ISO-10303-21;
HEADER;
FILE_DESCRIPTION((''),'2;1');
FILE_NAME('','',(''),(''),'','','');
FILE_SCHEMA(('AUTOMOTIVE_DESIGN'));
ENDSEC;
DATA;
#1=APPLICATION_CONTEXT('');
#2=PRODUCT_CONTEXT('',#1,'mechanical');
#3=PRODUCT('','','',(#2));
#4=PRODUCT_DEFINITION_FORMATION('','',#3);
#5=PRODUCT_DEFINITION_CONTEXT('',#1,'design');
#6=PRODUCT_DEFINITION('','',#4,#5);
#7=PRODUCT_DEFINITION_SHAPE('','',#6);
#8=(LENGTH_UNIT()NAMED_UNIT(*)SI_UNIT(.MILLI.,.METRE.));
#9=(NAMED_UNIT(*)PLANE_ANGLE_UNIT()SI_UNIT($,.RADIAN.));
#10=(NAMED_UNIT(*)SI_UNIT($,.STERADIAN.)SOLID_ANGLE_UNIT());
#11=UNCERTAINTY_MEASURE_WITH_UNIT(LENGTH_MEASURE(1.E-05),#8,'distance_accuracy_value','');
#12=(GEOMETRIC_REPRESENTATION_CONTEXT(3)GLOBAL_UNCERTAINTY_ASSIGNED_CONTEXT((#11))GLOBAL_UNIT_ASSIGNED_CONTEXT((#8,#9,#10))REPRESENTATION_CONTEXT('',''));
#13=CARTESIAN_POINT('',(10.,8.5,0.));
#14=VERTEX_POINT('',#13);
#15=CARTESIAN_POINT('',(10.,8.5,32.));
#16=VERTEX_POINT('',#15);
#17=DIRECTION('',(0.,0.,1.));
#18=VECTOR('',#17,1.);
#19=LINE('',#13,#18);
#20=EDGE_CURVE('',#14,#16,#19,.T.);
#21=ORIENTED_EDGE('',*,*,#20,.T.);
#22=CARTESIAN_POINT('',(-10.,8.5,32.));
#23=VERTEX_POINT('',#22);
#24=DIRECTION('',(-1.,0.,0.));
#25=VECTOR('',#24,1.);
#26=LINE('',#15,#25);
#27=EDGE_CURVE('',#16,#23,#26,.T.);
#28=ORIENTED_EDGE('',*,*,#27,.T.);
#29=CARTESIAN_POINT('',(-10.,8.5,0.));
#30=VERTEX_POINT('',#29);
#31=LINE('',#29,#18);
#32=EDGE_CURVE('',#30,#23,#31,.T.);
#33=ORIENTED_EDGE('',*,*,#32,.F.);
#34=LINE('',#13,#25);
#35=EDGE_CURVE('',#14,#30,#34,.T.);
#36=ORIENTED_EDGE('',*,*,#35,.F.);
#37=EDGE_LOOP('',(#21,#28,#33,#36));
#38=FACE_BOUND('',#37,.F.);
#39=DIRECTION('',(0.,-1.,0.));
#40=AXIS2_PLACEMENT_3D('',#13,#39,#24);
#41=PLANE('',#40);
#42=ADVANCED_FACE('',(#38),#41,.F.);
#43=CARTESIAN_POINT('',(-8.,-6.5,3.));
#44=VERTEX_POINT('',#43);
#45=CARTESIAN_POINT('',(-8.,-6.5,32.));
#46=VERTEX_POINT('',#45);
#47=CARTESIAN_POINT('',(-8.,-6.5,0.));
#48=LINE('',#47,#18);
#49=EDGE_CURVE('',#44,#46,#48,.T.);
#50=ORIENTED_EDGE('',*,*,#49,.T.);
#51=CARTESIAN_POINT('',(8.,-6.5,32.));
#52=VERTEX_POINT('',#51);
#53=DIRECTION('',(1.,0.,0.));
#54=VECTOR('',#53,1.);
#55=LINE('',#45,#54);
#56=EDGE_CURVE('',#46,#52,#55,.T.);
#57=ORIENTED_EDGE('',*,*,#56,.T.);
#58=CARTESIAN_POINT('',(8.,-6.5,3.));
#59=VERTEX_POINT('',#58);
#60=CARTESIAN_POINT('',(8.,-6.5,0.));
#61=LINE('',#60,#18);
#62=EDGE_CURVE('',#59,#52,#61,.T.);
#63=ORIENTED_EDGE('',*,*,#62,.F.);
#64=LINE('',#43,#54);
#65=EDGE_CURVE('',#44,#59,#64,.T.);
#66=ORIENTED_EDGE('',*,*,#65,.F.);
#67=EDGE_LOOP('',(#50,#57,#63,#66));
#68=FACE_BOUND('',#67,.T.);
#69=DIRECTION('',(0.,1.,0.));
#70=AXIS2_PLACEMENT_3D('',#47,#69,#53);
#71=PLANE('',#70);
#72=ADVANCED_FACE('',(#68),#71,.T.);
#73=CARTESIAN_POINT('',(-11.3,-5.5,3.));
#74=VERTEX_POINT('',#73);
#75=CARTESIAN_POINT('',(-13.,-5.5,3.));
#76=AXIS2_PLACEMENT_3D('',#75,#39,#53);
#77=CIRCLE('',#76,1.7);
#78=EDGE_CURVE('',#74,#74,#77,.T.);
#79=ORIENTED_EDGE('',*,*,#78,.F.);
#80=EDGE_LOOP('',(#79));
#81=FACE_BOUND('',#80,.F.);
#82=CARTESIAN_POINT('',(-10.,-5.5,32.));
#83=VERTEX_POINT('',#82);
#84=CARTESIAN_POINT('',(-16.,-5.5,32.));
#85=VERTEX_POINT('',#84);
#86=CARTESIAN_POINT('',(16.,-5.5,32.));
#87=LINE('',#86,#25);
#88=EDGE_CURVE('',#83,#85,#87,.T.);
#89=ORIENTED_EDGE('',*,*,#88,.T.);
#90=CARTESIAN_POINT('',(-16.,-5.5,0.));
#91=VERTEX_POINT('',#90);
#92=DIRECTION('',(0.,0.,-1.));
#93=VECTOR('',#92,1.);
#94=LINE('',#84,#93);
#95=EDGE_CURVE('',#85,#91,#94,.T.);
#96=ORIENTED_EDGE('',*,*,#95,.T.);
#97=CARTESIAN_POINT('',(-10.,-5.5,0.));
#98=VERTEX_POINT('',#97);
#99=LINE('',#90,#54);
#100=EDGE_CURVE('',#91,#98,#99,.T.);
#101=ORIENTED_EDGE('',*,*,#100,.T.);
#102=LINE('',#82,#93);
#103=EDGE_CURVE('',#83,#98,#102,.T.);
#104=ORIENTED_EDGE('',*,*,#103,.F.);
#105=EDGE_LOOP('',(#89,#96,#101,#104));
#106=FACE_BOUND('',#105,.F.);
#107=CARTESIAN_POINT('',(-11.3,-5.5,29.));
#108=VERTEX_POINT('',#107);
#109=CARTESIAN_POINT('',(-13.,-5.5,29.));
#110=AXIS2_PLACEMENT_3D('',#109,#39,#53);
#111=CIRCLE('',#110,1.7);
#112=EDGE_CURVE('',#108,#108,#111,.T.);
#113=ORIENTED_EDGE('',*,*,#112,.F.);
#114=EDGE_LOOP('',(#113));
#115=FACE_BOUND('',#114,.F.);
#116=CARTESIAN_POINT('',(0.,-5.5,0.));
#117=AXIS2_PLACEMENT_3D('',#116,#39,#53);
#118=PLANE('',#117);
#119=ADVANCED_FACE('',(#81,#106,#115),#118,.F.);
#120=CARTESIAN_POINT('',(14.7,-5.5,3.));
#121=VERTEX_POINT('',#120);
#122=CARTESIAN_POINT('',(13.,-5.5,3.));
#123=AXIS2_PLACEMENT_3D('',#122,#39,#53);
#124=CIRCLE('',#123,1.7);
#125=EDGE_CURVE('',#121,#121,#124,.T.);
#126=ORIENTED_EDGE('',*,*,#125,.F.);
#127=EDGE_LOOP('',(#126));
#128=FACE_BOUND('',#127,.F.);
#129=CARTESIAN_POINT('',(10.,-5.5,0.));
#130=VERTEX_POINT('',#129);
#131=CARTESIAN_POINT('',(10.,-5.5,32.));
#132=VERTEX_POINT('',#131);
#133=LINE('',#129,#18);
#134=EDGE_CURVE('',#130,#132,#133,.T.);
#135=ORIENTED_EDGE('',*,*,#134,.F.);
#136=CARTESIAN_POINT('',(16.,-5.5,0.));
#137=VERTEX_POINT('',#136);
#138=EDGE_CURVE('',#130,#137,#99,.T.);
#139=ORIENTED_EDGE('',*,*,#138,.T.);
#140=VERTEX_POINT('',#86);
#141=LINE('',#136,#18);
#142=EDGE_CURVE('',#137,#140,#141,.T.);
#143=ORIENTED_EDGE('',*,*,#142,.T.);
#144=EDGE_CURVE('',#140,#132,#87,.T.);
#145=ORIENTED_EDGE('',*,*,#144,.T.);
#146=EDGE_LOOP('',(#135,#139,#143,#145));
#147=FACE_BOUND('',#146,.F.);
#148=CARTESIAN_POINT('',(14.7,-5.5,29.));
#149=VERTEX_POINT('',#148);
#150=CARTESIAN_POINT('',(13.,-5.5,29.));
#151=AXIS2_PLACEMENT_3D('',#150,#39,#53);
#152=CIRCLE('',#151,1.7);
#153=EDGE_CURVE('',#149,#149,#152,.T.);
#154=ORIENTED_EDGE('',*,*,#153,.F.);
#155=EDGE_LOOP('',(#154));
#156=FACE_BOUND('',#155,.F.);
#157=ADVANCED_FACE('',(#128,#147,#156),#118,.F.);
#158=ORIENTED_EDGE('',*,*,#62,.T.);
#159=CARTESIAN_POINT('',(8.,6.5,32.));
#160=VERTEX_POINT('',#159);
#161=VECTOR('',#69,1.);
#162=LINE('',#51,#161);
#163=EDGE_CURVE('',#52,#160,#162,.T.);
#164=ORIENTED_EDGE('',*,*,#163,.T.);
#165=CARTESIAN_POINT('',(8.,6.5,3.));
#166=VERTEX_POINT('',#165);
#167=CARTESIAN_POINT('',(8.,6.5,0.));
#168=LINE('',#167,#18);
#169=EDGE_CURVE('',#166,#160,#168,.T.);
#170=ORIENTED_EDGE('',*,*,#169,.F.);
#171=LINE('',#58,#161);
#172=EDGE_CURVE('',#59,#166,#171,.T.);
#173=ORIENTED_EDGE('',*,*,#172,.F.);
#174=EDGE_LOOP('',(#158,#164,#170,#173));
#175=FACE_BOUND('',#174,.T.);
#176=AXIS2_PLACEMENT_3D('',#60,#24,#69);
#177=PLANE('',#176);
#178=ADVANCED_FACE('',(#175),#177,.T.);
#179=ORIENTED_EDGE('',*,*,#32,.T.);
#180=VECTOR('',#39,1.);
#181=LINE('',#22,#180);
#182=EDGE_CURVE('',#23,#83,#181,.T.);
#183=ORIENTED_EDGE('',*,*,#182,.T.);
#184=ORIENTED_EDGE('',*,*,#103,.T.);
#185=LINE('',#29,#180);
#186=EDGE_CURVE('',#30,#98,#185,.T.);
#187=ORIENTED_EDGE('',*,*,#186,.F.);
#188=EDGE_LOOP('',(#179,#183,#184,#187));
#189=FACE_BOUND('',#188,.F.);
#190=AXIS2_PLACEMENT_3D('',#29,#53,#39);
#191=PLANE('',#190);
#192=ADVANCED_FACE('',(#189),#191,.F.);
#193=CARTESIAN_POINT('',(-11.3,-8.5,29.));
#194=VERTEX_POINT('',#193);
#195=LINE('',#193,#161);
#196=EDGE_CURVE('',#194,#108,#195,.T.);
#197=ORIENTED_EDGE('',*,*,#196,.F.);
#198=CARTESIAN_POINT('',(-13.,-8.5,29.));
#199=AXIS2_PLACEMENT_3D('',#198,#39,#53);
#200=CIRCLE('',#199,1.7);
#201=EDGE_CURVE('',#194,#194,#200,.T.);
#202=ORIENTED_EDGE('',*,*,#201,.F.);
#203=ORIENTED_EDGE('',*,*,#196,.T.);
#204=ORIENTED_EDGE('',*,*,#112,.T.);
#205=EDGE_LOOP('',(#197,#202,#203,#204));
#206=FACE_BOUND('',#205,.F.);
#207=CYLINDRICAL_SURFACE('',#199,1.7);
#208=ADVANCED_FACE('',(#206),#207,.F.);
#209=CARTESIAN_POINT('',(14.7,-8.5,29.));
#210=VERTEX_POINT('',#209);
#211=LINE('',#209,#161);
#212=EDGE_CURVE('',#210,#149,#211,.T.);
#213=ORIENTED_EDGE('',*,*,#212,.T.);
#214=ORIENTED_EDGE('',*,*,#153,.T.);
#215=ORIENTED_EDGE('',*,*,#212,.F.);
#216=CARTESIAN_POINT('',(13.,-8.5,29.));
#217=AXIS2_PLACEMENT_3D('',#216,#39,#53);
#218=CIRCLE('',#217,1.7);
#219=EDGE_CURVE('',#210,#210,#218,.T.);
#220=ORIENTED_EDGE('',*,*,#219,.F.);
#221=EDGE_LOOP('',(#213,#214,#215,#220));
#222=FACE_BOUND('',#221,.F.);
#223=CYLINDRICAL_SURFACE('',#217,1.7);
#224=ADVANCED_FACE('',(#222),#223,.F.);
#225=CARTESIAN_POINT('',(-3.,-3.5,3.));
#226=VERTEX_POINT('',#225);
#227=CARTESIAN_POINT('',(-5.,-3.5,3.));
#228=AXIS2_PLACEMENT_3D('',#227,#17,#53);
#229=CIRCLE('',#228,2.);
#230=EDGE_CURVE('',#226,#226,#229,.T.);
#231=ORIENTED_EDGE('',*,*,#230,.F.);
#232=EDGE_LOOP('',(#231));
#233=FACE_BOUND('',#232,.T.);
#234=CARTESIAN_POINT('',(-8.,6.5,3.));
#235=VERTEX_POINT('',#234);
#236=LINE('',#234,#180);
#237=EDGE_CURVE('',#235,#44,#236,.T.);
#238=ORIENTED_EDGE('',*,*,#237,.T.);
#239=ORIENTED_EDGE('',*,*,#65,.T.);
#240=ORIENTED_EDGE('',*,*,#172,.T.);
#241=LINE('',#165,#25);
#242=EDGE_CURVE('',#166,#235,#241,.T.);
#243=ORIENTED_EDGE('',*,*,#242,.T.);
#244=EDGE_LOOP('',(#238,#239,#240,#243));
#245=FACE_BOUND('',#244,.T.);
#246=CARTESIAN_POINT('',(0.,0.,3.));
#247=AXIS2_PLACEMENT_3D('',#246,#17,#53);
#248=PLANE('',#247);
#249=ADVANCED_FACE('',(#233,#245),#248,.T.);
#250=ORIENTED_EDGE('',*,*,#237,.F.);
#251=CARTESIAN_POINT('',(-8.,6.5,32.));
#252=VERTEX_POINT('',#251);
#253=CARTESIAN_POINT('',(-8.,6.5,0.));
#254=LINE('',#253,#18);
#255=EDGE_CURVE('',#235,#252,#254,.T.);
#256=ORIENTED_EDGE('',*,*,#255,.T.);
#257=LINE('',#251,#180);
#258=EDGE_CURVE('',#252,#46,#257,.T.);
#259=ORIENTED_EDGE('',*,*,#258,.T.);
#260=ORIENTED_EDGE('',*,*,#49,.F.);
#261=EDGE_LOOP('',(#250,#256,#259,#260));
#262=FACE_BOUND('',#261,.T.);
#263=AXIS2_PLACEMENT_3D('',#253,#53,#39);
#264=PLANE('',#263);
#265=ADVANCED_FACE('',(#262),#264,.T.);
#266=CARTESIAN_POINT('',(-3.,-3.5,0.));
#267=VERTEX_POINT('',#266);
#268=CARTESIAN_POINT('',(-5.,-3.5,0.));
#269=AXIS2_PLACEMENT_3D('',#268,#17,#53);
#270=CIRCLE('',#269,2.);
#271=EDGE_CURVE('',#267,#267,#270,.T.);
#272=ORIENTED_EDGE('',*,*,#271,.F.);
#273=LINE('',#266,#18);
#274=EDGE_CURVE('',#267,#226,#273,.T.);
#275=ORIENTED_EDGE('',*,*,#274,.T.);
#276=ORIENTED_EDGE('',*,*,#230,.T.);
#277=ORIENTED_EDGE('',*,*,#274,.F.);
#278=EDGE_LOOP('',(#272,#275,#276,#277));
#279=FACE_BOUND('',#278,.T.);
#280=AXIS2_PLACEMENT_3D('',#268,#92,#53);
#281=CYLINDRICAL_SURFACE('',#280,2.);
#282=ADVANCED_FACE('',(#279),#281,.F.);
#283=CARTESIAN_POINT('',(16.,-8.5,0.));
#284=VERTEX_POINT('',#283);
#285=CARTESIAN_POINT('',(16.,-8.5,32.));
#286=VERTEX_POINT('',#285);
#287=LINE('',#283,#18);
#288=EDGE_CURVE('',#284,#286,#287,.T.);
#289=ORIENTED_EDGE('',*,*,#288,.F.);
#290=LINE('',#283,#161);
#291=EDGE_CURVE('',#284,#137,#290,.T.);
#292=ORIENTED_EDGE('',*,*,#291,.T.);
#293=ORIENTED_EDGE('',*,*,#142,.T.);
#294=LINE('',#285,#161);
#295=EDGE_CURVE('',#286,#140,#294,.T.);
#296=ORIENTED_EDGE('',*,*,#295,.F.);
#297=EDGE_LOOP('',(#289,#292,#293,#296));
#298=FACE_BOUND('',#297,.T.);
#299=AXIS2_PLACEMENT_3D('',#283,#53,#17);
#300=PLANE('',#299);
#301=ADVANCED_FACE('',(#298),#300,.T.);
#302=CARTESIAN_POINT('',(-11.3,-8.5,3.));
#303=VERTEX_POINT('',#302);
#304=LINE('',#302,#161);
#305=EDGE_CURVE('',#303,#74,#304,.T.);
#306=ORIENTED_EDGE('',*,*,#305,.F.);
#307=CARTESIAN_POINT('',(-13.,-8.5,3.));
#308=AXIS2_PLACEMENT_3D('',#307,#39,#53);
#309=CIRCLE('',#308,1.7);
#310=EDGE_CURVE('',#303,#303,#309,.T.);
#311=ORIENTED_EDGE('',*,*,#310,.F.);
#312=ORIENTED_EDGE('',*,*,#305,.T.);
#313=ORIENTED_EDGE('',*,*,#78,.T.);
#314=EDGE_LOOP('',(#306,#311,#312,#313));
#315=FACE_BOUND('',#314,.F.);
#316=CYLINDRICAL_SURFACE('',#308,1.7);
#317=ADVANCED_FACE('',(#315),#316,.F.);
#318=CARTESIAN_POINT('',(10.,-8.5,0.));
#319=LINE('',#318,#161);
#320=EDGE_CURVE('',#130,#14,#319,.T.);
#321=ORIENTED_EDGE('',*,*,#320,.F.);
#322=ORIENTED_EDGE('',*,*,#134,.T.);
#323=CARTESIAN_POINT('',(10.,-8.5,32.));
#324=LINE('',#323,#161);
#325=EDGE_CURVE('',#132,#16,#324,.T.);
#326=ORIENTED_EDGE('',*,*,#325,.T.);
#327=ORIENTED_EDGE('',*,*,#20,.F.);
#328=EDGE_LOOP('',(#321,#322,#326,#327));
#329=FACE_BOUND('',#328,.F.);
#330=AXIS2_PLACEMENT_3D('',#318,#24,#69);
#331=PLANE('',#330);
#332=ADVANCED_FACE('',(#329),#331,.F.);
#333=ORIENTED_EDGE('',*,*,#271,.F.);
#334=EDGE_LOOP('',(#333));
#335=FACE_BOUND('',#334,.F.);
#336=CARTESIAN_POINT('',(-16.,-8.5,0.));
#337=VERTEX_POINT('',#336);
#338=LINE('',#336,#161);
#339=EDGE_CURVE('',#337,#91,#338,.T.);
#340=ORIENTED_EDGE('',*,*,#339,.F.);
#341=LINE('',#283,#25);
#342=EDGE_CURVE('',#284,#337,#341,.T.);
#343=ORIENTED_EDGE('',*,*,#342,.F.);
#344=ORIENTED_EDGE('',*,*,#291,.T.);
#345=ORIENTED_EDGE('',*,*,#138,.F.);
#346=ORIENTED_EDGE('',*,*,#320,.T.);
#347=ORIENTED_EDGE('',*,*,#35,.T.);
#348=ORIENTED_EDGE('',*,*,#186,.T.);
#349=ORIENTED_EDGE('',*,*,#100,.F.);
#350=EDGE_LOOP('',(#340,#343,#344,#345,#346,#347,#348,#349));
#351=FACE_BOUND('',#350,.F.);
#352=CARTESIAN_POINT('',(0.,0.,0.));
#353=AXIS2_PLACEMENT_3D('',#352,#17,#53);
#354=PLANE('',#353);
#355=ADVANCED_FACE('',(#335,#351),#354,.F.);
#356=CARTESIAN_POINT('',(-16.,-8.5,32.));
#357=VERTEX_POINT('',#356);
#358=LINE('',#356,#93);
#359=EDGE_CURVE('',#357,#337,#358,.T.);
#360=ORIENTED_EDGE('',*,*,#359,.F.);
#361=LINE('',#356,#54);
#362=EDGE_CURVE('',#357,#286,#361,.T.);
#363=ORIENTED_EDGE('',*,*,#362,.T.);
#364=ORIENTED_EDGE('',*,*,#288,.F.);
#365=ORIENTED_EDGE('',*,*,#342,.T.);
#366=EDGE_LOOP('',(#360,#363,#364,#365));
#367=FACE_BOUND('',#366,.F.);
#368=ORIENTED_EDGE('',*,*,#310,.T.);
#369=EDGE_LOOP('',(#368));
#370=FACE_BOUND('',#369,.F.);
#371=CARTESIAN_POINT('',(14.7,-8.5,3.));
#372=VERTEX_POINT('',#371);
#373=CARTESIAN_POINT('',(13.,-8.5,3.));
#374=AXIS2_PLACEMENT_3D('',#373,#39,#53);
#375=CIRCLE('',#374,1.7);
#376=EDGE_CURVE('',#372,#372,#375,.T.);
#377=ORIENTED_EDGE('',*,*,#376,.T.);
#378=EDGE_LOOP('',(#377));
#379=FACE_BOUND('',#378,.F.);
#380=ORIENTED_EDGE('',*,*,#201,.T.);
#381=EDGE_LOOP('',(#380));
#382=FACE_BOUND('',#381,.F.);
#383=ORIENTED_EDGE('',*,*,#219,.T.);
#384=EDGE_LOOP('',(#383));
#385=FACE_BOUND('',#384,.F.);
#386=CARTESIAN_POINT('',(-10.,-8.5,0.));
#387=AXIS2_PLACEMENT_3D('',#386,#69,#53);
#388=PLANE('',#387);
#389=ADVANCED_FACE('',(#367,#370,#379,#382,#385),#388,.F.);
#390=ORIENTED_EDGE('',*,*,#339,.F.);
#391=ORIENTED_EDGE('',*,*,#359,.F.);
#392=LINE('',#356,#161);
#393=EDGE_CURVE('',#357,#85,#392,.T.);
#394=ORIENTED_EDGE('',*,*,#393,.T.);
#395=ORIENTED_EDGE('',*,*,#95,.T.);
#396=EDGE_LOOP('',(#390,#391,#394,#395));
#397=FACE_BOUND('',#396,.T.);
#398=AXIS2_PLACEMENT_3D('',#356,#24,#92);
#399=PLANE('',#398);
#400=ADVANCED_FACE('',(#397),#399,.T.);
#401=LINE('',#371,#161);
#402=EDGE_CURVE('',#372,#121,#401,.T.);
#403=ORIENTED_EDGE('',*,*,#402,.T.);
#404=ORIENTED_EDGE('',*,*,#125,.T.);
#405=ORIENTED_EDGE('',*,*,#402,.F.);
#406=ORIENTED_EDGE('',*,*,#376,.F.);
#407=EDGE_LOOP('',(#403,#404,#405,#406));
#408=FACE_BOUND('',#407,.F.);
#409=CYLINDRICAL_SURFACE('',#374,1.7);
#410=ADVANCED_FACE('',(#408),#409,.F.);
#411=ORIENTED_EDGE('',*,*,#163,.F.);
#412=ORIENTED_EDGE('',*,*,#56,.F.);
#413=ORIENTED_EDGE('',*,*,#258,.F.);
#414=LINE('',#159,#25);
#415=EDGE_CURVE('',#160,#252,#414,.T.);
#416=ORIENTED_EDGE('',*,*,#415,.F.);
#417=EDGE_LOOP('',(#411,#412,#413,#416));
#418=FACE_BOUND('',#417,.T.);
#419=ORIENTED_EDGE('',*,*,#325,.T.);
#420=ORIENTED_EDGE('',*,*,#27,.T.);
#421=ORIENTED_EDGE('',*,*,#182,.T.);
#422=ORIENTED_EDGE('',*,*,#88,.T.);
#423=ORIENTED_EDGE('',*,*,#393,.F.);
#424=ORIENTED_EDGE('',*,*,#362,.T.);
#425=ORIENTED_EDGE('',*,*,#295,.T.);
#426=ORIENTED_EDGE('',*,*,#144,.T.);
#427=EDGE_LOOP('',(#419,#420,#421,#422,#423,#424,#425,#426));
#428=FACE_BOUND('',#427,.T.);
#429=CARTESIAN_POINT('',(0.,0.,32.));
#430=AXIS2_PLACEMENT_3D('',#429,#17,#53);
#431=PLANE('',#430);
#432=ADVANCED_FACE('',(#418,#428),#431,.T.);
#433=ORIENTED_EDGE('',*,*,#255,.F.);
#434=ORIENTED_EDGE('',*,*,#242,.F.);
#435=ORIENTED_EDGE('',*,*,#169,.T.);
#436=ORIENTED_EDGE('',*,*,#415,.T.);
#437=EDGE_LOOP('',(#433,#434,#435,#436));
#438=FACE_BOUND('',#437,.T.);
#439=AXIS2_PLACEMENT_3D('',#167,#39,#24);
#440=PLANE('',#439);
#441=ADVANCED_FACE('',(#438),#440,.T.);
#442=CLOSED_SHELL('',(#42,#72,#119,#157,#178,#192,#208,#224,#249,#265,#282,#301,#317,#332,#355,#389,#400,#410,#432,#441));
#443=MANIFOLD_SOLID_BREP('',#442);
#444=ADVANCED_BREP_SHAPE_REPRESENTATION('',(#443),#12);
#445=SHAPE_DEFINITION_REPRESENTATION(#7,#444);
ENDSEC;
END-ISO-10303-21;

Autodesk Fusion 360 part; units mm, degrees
sketch "Esquisse1" plane through (0, 0, 0) normal (0, 0, 1) x (1, 0, 0)
  line L0 (8, 6.5) -> (-8, 6.5)
  line L1 (-8, 6.5) -> (-8, -6.5)
  line L2 (-8, -6.5) -> (8, -6.5)
  line L3 (8, -6.5) -> (8, 6.5)
  line L4 (8, 6.5) -> (-8, -6.5) construction
  line L5 (-8, 6.5) -> (8, -6.5) construction
  line L6 (-10, -8.5) -> (10, -8.5)
  line L7 (10, -8.5) -> (10, 8.5)
  line L8 (10, 8.5) -> (-10, 8.5)
  line L9 (-10, 8.5) -> (-10, -8.5)
  circle A0 centre (-5, -3.5) radius 2
  dimension "d1" = 16
  dimension "d2" = 13
  dimension "d3" = 2
  dimension "d15" = 4
  dimension "d16" = 3
  dimension "d18" = 3
extrude "Extrusion1" add sketch "Esquisse1" along normal blind 32 contours L6 L7 L8 L9
extrude "Extrusion2" add sketch "Esquisse1" along normal blind 3 contours L0 L1 L2 L3
sketch "Esquisse2" plane through (0, -8.5, 0) normal (0, -1, 0) x (1, 0, 0)
  line L0 (-10, 0) -> (10, 0)
  line L1 (10, 0) -> (10, 32)
  line L2 (10, 32) -> (-10, 32)
  line L3 (-10, 32) -> (-10, 0)
  line L4 (16, 32) -> (-16, 32)
  line L5 (-16, 32) -> (-16, 0)
  line L6 (-16, 0) -> (16, 0)
  line L7 (16, 0) -> (16, 32)
  line L8 (16, 32) -> (-16, 0) construction
  line L9 (-16, 32) -> (16, 0) construction
  line L10 (-10, 0) -> (10, 0)
  circle A0 centre (13, 29) radius 1.7
  line L11 (0, 16) -> (16, 16) construction
  line L12 (0, 16) -> (0, 32) construction
  circle A1 centre (13, 3) radius 1.7
  circle A2 centre (-13, 3) radius 1.7
  circle A3 centre (-13, 29) radius 1.7
  point P0 (0, 16)
  dimension "d8" = 6
  dimension "d9" = 6
  dimension "d10" = 3.4
  dimension "d11" = 3
  dimension "d12" = 3
extrude "Extrusion3" add sketch "Esquisse2" against normal blind 3 contours L3 L4 L5 L6 | L1 L4 L6 L7
equation "d9 = d8"
equation "d18 = d16"
